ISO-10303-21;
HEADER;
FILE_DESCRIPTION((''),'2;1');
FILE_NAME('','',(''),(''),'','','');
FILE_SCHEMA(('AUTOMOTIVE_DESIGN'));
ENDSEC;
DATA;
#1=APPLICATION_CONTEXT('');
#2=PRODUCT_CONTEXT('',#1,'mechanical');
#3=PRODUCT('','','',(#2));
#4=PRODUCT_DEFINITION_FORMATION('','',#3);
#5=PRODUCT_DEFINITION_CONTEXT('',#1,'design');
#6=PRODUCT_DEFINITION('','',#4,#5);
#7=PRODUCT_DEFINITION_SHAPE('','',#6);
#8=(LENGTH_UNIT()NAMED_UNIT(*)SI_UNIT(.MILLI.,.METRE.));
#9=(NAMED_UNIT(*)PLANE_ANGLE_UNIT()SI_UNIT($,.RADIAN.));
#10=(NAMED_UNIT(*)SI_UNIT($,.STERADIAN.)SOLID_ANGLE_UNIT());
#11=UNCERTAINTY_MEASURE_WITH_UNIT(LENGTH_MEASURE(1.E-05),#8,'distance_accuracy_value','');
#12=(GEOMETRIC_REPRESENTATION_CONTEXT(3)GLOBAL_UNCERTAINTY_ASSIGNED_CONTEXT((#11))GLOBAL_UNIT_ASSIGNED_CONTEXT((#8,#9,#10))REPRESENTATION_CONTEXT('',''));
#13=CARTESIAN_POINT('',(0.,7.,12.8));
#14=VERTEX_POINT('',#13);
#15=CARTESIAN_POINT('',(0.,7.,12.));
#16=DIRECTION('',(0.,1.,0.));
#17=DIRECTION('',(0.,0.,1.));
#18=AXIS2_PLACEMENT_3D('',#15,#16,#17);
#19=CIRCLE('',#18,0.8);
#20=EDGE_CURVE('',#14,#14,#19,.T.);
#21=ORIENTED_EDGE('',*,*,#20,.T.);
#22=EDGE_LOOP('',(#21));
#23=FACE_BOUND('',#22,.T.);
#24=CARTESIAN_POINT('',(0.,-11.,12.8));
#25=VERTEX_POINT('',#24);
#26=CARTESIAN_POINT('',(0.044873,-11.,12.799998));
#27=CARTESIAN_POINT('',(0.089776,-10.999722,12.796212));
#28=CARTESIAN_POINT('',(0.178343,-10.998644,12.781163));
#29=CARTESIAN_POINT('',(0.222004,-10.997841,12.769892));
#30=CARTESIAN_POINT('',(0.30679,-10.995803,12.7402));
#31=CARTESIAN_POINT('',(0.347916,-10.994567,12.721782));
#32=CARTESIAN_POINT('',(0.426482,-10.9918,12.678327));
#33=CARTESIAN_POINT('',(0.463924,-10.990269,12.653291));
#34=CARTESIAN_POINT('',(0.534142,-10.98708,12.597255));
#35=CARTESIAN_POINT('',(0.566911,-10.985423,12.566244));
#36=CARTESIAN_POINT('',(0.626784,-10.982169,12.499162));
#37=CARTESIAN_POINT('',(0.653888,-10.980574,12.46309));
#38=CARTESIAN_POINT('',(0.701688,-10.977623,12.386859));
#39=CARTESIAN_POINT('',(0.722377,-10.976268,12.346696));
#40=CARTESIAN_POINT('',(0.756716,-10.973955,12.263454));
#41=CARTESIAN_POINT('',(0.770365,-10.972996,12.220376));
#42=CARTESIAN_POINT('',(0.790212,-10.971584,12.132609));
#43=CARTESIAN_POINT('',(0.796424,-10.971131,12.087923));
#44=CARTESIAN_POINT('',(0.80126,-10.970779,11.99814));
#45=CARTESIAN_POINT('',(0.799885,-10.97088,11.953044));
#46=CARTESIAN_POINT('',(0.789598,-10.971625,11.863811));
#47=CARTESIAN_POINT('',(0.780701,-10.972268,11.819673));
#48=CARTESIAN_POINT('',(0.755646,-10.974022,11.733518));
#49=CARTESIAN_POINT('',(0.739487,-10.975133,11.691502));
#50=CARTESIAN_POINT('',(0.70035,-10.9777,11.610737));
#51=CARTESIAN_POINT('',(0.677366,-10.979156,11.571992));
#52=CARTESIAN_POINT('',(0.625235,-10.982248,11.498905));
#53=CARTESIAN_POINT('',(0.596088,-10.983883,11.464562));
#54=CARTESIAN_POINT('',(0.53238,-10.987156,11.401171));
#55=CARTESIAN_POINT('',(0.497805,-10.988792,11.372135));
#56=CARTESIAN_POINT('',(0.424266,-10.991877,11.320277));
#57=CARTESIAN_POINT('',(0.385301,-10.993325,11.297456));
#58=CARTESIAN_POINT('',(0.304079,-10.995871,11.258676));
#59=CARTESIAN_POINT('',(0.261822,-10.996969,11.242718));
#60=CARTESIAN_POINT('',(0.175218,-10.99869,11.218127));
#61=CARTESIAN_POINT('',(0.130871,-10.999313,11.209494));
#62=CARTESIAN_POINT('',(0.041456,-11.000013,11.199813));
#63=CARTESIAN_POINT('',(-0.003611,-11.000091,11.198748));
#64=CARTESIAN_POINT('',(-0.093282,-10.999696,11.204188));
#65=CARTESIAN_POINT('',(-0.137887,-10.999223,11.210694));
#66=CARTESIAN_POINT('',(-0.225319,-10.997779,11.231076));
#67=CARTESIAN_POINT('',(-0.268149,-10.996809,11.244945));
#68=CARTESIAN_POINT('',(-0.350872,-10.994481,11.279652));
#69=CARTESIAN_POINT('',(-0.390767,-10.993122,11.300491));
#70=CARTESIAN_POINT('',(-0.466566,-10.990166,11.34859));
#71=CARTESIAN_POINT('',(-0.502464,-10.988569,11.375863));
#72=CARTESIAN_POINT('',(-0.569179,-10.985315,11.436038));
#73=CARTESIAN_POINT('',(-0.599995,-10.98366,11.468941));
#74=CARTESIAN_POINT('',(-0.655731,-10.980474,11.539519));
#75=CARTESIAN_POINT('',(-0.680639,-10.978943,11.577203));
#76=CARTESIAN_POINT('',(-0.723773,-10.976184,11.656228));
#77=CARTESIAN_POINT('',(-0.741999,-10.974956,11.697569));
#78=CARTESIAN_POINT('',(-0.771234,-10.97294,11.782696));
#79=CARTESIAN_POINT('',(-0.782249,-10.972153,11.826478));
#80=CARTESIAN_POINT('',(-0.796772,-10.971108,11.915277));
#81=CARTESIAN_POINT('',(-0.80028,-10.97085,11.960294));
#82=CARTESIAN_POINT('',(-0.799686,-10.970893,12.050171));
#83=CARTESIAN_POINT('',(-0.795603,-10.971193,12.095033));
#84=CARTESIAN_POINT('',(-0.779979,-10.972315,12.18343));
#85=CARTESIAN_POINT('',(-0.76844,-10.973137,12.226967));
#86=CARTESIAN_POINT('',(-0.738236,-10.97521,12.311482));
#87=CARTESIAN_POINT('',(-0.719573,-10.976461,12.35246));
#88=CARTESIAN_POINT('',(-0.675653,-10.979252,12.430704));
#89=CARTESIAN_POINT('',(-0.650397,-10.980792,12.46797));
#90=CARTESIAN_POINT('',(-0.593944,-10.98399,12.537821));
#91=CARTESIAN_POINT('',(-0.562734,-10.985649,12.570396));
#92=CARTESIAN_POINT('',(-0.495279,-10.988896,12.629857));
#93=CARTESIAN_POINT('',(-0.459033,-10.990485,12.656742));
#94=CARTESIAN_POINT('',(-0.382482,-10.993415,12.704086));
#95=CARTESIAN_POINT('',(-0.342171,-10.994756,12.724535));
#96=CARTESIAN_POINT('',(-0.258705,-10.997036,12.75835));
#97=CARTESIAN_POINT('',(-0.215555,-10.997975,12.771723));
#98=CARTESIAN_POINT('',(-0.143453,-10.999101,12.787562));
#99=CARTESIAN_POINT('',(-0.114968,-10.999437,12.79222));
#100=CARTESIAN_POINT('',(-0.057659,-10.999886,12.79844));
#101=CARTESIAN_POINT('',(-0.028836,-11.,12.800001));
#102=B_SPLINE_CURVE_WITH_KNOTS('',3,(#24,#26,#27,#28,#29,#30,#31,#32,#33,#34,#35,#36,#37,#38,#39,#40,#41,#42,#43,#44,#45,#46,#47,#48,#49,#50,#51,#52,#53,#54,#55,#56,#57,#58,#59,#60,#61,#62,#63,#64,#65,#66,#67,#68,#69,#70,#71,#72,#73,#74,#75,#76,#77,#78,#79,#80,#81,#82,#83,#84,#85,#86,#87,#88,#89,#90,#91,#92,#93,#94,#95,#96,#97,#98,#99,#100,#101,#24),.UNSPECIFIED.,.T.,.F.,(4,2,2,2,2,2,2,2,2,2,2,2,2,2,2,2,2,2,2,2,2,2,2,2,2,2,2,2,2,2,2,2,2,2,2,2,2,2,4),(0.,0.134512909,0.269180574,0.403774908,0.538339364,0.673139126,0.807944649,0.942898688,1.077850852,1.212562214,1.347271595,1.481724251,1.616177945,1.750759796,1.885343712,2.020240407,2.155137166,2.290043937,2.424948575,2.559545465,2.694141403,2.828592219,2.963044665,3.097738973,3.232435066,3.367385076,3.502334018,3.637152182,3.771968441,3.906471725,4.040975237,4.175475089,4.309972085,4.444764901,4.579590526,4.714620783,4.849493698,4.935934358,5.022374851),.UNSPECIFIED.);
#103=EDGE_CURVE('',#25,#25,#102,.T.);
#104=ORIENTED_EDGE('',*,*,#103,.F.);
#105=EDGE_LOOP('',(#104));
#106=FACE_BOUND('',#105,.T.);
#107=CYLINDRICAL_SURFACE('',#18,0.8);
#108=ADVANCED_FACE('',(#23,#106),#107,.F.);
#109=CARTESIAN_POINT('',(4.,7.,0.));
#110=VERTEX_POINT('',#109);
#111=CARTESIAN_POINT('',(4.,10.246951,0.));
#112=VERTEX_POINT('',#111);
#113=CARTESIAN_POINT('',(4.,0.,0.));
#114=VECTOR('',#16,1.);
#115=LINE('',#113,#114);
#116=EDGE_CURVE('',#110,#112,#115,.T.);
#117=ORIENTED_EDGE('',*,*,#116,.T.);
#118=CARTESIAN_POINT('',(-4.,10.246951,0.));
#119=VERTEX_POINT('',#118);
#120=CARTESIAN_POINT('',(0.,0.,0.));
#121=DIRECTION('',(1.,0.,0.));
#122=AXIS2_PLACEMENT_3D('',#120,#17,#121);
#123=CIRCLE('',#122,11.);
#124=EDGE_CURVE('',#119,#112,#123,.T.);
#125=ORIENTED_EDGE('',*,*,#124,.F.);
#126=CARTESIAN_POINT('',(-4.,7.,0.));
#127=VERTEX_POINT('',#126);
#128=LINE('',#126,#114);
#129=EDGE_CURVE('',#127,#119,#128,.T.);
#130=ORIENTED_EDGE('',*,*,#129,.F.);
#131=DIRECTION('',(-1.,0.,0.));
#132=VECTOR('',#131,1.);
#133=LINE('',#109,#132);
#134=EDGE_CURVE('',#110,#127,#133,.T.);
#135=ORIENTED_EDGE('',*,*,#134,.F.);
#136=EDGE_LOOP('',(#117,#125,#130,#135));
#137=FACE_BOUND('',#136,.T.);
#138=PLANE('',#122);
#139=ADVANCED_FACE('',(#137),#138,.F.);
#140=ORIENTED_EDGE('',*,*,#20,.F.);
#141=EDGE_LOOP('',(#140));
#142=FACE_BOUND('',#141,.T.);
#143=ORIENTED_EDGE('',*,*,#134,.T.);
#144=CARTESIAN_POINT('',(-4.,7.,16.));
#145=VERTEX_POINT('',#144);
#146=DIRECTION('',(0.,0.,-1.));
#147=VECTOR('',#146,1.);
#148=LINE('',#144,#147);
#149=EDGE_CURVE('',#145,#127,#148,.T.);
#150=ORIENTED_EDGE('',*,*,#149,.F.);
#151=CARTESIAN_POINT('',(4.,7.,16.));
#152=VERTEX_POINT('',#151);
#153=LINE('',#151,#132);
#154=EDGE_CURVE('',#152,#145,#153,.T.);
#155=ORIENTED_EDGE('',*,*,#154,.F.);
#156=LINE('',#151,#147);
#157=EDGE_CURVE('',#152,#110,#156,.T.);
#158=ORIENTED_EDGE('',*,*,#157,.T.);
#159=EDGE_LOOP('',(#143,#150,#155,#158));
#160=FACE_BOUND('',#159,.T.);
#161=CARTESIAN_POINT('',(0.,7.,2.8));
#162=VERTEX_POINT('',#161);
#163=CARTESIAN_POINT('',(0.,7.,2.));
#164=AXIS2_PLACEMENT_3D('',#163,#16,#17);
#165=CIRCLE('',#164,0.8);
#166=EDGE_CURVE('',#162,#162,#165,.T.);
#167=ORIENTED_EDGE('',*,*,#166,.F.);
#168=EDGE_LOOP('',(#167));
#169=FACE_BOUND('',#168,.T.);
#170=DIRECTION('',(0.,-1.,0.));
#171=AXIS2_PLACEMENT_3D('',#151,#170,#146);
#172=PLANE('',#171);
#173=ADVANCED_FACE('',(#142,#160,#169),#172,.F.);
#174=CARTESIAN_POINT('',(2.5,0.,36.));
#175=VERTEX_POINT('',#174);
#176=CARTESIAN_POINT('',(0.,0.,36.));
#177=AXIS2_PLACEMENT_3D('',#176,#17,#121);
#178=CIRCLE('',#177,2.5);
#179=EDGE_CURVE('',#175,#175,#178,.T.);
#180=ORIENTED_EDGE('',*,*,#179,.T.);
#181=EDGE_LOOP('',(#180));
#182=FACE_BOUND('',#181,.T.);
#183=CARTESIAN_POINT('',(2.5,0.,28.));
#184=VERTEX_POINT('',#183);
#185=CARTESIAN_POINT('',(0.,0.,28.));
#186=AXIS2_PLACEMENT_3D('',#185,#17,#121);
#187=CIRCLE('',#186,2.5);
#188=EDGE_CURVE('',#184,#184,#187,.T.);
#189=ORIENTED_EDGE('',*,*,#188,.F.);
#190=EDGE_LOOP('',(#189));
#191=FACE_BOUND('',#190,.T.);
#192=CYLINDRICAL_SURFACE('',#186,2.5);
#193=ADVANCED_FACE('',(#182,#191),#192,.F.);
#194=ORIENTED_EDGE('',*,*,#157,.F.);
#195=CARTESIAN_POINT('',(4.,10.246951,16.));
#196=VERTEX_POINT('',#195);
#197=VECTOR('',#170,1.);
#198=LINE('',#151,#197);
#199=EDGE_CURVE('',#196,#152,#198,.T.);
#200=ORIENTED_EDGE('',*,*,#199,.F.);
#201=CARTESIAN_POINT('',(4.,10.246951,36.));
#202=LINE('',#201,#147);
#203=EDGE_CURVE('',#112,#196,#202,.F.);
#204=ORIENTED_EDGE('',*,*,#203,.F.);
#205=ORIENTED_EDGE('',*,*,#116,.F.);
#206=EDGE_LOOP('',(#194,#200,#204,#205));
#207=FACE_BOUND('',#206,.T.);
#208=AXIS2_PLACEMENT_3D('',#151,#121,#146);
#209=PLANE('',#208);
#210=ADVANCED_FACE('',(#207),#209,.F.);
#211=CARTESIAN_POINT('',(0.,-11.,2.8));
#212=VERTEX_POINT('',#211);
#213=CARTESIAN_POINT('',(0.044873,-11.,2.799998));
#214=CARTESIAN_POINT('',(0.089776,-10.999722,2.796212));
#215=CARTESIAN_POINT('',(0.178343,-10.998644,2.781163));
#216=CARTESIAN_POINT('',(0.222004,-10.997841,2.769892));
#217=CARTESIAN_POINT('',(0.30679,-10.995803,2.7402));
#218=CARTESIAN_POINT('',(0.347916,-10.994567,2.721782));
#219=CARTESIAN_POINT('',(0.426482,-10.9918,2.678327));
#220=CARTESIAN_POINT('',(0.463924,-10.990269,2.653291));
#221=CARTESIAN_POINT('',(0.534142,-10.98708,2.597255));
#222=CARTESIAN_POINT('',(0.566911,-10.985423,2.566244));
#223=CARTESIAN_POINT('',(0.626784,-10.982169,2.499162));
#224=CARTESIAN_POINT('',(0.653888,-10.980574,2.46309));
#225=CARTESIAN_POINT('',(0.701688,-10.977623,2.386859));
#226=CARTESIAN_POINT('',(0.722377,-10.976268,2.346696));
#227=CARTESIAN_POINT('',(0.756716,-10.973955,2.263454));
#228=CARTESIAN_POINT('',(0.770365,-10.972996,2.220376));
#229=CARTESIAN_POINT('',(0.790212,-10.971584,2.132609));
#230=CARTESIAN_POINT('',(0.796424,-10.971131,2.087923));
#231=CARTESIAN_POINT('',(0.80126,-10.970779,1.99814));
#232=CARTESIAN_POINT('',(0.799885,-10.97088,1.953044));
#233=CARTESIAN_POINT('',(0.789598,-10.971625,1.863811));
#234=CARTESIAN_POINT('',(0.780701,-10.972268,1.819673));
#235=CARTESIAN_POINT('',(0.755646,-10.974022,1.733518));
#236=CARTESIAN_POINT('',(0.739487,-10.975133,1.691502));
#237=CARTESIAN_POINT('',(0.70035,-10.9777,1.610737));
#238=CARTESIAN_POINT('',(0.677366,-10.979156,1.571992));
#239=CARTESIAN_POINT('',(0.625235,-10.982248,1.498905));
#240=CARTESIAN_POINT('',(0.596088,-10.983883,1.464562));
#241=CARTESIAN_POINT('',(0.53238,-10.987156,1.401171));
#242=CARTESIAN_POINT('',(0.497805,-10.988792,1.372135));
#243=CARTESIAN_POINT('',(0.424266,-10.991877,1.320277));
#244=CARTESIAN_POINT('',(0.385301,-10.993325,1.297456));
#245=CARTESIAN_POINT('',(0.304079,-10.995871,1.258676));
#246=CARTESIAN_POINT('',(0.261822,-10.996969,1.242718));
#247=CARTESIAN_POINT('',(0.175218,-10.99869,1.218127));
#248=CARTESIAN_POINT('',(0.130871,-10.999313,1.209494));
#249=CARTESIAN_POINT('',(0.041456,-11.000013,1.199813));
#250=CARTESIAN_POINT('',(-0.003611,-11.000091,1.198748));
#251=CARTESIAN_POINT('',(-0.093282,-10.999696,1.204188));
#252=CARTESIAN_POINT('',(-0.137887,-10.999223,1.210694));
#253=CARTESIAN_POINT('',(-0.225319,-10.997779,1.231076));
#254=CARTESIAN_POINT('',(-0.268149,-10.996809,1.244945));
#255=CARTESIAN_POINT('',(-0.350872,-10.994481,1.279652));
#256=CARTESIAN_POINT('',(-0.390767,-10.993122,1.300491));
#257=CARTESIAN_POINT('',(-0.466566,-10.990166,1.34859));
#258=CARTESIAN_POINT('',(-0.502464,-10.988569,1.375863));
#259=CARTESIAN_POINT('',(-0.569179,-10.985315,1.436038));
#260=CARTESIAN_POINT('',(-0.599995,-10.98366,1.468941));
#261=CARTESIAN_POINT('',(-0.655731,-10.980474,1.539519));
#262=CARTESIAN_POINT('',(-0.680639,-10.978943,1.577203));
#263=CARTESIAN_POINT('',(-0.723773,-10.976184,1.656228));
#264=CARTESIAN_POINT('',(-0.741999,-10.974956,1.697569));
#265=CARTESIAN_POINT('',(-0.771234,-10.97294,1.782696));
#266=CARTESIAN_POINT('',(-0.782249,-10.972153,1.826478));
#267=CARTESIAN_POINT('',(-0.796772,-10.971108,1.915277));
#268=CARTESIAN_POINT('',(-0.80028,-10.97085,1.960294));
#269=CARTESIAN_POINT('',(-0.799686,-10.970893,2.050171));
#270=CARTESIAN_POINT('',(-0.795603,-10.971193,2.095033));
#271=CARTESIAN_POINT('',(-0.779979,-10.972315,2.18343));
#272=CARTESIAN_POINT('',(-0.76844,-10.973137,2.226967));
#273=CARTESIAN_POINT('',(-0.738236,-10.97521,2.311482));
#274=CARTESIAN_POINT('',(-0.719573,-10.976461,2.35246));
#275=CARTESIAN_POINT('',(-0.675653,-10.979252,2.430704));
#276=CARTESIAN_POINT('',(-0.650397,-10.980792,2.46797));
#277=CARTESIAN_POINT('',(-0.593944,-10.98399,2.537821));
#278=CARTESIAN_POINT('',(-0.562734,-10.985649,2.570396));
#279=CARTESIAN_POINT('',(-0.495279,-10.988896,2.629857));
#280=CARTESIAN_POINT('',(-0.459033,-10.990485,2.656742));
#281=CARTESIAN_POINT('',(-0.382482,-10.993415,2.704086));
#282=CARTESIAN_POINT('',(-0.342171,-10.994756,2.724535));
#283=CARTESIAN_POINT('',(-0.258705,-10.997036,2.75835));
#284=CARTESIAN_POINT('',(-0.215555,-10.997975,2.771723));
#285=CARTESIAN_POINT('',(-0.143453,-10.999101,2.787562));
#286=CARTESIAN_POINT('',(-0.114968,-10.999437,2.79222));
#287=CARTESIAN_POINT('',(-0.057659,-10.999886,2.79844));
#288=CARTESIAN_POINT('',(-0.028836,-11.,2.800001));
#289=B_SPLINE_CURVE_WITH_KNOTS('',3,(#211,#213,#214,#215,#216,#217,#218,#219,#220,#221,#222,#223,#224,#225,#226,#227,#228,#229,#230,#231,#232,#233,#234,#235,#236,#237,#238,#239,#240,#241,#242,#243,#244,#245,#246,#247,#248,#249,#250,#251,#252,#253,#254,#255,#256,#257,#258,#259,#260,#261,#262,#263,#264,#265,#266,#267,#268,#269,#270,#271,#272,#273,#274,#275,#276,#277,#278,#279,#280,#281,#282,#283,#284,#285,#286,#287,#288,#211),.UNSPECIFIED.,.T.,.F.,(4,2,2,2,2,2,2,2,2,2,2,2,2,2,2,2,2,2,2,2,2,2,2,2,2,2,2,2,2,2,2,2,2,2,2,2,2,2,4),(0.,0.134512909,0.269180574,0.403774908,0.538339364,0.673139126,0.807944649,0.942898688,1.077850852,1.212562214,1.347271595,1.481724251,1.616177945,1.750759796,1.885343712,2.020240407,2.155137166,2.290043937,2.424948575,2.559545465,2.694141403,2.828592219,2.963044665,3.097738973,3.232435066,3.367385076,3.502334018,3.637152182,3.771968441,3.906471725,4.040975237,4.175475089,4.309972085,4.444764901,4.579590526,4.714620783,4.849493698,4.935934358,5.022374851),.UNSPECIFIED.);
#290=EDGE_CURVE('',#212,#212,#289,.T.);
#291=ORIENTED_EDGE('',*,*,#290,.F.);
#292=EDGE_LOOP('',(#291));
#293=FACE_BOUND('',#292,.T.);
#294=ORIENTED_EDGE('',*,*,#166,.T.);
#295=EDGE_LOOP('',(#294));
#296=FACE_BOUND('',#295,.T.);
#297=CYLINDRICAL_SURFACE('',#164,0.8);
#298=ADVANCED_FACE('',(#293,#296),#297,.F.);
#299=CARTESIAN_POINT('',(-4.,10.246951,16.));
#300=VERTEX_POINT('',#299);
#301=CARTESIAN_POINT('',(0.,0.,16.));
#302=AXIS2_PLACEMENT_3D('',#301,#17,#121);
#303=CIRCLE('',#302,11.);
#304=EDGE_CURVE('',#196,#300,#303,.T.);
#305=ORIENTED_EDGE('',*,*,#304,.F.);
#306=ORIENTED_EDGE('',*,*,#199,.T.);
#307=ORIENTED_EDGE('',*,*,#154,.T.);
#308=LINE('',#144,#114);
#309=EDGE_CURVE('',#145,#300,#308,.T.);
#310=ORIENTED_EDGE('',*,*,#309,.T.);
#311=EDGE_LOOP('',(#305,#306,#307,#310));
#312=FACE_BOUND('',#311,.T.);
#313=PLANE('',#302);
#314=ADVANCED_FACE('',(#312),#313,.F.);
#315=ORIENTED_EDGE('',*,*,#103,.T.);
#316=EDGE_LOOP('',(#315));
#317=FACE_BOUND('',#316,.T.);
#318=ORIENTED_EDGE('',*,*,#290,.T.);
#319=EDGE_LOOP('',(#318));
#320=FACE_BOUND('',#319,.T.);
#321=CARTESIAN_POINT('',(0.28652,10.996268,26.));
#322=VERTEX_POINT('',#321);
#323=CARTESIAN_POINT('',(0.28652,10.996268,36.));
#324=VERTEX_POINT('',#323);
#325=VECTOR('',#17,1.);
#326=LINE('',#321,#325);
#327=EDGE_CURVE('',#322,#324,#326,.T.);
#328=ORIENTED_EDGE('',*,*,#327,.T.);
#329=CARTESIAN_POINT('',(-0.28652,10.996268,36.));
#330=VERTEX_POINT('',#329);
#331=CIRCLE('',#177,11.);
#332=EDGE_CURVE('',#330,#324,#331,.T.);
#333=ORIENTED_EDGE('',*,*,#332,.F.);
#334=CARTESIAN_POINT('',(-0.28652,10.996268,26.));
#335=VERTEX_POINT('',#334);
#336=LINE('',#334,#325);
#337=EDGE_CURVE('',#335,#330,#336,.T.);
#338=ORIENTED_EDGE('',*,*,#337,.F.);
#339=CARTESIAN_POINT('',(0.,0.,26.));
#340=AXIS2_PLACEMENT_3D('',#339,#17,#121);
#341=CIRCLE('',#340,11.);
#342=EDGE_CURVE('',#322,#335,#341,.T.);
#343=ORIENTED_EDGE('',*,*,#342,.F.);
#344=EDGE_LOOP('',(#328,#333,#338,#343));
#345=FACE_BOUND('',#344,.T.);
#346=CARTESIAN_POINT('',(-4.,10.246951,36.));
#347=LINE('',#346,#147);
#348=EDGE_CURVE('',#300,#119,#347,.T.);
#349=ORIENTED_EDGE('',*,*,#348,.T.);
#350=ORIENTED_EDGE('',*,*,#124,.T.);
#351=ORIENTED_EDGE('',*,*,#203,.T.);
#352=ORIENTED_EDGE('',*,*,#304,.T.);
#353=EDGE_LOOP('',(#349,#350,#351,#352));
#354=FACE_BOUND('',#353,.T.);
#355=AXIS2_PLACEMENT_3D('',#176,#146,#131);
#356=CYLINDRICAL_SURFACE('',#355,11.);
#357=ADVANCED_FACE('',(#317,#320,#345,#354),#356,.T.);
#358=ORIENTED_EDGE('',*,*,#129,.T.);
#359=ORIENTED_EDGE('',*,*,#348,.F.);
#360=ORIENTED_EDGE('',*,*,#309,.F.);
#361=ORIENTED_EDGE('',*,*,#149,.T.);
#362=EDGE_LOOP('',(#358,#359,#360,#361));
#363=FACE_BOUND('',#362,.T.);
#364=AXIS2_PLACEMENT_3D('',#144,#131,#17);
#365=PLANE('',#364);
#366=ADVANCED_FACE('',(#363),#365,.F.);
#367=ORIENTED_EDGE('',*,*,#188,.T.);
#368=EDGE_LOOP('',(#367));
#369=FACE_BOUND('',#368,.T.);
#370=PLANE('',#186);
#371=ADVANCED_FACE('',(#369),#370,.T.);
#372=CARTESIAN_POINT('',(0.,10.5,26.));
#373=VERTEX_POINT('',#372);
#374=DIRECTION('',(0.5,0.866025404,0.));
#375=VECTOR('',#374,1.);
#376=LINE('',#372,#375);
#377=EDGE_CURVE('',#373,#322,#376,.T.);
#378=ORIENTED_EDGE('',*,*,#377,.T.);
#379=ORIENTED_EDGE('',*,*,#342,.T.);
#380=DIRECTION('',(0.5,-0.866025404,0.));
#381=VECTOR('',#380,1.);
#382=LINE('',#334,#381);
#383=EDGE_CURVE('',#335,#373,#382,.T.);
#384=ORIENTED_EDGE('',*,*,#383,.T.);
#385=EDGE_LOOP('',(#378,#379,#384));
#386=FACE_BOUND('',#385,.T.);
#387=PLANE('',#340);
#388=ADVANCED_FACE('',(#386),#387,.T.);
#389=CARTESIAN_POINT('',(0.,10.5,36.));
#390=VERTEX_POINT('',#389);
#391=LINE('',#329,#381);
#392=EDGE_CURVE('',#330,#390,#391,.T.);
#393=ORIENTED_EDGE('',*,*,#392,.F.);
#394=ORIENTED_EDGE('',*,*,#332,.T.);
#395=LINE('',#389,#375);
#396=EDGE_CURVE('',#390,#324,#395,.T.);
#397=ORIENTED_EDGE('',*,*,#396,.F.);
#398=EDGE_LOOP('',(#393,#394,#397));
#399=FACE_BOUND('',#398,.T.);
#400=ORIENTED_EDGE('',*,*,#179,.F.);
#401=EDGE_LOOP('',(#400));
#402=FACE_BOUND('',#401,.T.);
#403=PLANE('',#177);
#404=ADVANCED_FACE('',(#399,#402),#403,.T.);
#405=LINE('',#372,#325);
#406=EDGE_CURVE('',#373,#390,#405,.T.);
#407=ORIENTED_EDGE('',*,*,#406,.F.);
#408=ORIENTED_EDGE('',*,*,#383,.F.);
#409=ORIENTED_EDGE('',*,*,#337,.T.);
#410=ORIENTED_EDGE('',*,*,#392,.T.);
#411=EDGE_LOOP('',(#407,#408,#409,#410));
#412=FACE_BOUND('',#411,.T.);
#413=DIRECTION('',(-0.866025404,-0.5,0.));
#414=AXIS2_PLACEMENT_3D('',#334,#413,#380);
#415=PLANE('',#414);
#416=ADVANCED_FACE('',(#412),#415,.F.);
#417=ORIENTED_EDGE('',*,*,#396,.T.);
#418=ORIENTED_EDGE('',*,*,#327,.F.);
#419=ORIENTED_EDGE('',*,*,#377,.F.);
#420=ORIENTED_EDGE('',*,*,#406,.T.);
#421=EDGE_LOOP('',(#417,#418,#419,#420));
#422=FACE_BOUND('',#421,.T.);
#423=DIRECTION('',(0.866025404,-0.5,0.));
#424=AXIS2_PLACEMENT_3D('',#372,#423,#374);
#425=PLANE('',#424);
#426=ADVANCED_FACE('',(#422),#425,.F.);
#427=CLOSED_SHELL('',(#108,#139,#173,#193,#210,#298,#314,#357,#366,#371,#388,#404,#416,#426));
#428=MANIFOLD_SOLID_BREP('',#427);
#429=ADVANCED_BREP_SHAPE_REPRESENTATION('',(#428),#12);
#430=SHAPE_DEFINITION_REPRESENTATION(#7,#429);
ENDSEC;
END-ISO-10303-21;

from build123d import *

# Parameters (mm, degrees)
SKETCH1_R             = 11
BOSS_EXTRUDE1_DEPTH   = 36
SKETCH2_W             = 8
SKETCH2_H             = 30
CUT_EXTRUDE1_DEPTH    = 16
CUT_EXTRUDE3_START    = -10
CUT_EXTRUDE3_DEPTH    = 10
M2X0_4_TAPPED_HOLE3_D = 1.6
SKETCH16_R            = 2.5
CUT_EXTRUDE4_DEPTH    = 8


with BuildPart() as part:
    # Sketch1 → Boss-Extrude1 (new body)
    with BuildSketch(Plane.XY):
        Circle(SKETCH1_R)
    extrude(amount=BOSS_EXTRUDE1_DEPTH)

    # Sketch2 → Cut-Extrude1 (cut)
    with BuildSketch(Plane(origin=(0, 0, 0), x_dir=(-1, 0, 0), z_dir=(0, 0, -1))):
        with Locations((0, 22)):
            Rectangle(SKETCH2_W, SKETCH2_H)
    extrude(amount=-CUT_EXTRUDE1_DEPTH, mode=Mode.SUBTRACT)

    # Sketch6 → Cut-Extrude3 (cut)
    with BuildSketch(Plane.XY.offset(36).offset(CUT_EXTRUDE3_START)):
        with BuildLine():
            Line((-0.286520362, 10.996267825), (0, 10.5))
            Line((0, 10.5), (0.286520362, 10.996267825))
            ThreePointArc((0.286520362, 10.996267825), (0, 11), (-0.286520362, 10.996267825))
        make_face()
    extrude(amount=CUT_EXTRUDE3_DEPTH, mode=Mode.SUBTRACT)

    # M2x0.4 Tapped Hole3 (through all)
    with Locations(Plane(origin=(0, 7, 0), x_dir=(1, 0, 0), z_dir=(0, 1, 0))):
        with Locations((0, -12), (0, -2)):
            Hole(M2X0_4_TAPPED_HOLE3_D / 2)

    # Sketch16 → Cut-Extrude4 (cut)
    with BuildSketch(Plane.XY.offset(36)):
        Circle(SKETCH16_R)
    extrude(amount=-CUT_EXTRUDE4_DEPTH, mode=Mode.SUBTRACT)


solid = part.part
